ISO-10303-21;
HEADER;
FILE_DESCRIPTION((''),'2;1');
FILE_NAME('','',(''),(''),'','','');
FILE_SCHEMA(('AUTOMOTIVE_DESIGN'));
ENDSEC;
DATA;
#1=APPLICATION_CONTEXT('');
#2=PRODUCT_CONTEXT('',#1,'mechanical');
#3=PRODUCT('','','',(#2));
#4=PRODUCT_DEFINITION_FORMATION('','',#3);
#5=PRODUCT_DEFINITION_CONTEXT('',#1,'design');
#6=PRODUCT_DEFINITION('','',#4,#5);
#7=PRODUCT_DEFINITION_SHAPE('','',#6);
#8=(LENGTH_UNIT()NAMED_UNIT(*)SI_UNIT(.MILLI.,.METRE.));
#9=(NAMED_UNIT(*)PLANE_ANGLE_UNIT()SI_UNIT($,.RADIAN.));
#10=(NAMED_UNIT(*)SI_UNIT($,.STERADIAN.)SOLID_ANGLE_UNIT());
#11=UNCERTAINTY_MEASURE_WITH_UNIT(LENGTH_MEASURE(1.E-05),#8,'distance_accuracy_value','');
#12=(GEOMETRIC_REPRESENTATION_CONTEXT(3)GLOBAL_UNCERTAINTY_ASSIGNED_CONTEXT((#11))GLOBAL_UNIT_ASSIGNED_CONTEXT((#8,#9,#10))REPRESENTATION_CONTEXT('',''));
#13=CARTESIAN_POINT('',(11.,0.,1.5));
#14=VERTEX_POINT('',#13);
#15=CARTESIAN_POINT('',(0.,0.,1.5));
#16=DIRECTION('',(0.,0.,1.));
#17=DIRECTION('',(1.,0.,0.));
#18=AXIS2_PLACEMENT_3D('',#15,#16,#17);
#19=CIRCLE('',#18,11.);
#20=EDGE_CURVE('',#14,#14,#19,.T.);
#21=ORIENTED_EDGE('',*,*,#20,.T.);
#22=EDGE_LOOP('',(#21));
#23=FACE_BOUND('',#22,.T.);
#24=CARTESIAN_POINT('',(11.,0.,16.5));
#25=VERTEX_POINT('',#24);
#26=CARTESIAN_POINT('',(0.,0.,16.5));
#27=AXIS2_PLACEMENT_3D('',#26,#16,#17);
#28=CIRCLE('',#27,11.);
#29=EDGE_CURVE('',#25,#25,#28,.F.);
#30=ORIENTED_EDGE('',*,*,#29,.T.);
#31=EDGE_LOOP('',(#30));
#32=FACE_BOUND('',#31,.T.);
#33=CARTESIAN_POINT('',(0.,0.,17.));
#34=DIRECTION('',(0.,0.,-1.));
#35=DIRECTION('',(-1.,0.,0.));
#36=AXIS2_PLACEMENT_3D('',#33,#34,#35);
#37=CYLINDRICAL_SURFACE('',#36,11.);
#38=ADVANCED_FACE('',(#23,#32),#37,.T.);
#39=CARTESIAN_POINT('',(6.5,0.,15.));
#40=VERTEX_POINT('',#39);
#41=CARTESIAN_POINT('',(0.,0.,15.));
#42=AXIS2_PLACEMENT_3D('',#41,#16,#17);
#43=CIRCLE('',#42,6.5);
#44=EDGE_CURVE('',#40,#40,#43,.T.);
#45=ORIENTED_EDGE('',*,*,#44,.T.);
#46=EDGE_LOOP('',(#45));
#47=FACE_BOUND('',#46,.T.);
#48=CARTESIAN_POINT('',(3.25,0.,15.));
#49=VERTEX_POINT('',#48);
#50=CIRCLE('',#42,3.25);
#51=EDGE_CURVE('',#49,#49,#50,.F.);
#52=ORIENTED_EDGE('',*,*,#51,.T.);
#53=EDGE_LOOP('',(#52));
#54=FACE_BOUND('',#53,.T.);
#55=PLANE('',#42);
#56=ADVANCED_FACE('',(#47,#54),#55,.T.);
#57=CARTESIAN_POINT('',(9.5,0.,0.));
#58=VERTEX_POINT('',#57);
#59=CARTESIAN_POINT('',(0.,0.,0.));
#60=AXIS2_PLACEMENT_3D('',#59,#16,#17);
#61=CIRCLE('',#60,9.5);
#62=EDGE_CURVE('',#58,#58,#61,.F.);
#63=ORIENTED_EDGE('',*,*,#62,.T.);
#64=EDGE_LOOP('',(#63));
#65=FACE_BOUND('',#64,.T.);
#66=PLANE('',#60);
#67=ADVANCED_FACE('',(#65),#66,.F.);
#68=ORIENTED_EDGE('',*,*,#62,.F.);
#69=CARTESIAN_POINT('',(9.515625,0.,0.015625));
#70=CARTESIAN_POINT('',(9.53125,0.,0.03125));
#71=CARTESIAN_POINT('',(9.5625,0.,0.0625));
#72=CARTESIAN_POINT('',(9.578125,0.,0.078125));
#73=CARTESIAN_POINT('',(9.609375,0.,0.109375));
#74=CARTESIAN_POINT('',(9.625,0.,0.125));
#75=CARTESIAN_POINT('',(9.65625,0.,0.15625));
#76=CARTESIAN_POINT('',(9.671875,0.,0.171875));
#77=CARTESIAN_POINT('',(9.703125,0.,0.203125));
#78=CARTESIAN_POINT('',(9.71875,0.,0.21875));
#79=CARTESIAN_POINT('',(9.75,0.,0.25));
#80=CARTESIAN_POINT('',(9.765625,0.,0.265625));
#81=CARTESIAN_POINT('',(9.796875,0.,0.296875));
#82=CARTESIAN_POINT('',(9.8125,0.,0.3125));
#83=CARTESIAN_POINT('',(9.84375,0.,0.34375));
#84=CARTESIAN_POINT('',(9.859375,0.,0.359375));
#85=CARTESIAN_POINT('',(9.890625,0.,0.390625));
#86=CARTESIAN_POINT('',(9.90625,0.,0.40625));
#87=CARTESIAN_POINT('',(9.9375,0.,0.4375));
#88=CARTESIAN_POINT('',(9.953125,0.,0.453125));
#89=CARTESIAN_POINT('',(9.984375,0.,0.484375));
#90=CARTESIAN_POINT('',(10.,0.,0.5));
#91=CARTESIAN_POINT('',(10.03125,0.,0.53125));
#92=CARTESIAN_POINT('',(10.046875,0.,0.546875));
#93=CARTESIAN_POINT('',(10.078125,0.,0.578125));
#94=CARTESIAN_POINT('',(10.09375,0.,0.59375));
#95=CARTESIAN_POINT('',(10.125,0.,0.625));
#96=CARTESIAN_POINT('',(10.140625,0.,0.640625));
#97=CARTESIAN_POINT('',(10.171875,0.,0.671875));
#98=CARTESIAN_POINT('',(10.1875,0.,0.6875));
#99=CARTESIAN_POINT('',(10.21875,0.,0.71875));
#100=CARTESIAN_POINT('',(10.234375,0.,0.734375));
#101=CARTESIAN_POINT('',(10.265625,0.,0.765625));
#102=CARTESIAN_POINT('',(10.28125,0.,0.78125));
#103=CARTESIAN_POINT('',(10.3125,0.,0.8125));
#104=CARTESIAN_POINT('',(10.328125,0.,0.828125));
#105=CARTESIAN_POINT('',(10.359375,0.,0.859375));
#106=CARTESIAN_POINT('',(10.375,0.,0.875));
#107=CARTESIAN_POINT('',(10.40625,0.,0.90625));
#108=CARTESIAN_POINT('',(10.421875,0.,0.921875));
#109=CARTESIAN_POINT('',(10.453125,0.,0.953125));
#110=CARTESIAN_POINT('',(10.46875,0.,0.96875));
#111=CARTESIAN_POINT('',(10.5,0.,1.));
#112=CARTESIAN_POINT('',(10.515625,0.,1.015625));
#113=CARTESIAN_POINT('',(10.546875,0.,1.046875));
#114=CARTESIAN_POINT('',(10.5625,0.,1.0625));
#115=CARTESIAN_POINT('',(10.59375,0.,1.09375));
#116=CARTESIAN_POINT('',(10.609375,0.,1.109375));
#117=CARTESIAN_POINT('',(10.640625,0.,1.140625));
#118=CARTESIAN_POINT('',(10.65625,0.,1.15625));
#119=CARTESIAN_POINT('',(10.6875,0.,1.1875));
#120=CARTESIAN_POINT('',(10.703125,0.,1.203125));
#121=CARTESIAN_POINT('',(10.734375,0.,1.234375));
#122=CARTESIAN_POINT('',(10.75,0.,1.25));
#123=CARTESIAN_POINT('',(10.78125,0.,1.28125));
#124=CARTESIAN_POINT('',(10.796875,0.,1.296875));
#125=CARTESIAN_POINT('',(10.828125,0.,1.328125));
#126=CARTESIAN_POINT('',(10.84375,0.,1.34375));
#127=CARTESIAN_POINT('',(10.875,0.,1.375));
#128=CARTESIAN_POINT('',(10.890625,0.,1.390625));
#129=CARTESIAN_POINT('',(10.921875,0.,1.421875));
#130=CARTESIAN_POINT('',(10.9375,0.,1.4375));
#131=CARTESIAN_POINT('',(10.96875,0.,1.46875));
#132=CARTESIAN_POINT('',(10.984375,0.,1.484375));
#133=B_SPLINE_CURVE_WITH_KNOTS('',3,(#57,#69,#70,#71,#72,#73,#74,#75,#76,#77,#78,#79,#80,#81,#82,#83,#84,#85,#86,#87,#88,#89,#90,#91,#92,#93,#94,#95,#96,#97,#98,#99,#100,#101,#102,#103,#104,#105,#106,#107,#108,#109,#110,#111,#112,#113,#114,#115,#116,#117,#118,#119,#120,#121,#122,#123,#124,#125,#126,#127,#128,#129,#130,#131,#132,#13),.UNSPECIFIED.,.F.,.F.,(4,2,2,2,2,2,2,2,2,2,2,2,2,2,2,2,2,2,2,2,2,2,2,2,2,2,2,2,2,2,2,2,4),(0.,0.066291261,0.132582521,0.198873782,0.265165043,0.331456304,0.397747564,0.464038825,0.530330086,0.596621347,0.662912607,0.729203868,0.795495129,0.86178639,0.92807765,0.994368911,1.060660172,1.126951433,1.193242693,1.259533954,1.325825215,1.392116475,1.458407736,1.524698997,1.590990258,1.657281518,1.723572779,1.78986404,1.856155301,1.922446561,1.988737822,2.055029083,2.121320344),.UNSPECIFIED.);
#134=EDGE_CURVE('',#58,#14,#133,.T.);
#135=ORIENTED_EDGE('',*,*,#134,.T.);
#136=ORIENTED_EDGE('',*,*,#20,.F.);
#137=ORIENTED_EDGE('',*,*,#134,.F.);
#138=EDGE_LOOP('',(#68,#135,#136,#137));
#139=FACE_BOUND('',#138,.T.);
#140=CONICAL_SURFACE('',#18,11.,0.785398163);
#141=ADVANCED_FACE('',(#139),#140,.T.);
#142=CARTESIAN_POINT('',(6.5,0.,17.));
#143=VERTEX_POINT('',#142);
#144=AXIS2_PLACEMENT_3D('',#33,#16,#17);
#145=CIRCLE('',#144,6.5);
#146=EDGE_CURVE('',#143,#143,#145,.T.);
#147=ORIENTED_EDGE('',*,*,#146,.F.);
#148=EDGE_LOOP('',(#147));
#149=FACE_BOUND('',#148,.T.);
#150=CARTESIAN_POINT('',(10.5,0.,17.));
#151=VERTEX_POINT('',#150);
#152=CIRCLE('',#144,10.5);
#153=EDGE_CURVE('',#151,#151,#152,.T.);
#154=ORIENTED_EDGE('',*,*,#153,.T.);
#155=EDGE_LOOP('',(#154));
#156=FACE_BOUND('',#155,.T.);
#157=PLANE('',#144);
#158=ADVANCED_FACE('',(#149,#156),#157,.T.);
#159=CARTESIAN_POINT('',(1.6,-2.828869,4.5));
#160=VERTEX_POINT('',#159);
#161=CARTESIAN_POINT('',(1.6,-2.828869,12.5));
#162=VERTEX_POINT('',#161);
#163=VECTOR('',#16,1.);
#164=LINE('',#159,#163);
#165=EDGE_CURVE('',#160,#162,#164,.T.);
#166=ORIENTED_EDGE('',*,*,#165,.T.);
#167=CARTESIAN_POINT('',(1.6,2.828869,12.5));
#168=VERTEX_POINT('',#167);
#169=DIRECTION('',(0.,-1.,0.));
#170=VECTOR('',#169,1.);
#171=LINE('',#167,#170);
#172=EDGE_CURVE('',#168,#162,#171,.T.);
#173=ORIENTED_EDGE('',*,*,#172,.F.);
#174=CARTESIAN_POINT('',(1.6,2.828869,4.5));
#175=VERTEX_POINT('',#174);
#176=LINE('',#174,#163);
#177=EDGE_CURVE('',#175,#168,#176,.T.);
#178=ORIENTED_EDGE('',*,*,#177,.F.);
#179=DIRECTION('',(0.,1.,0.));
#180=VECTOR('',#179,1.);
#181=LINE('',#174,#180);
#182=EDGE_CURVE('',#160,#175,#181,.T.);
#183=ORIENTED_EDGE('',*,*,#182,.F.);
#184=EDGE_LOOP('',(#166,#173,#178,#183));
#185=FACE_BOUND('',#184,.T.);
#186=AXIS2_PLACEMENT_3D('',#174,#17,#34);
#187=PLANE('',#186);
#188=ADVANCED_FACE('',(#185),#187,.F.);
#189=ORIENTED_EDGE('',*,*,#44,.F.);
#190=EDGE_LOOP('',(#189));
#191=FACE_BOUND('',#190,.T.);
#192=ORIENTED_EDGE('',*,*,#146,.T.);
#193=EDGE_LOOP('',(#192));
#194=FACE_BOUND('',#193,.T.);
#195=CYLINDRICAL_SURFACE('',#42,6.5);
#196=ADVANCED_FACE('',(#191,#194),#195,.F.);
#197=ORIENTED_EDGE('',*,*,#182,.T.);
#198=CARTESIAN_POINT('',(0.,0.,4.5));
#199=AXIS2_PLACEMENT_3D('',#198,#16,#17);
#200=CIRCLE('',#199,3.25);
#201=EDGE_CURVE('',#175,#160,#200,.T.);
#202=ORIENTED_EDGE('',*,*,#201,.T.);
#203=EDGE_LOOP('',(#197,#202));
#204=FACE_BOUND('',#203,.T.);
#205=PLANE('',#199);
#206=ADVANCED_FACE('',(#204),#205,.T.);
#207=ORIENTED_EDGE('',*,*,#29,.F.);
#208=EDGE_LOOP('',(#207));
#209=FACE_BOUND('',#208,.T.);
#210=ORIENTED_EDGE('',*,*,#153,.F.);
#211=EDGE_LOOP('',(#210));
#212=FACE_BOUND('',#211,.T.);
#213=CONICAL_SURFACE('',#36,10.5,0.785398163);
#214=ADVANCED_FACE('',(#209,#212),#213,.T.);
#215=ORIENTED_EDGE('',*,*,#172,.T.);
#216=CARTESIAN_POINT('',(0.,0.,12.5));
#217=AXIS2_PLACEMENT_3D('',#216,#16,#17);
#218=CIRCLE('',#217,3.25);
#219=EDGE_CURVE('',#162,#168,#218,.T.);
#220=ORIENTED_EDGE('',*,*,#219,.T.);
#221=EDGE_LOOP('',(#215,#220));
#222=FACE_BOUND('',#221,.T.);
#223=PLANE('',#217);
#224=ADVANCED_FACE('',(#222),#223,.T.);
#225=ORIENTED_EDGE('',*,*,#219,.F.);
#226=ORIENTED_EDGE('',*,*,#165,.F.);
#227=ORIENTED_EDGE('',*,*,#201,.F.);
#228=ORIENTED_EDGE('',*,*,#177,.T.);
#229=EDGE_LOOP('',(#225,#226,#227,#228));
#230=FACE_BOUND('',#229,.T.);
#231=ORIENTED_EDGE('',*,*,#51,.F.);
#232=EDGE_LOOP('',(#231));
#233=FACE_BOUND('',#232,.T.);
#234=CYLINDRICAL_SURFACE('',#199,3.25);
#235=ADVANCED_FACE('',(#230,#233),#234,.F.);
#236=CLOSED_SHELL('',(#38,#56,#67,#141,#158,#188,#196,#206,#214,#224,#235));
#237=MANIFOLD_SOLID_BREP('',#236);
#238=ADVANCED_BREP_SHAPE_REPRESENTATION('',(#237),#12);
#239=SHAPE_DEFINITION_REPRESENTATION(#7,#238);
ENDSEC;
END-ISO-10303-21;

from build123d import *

# Parameters (mm, degrees)
SKETCH1_R           = 11
BOSS_EXTRUDE1_DEPTH = 17
CUT_EXTRUDE1_DEPTH  = 12.5
SKETCH3_R           = 6.5
CUT_EXTRUDE2_DEPTH  = 2
SKETCH4_R           = 3.25
CUT_EXTRUDE3_DEPTH  = 4.5
CHAMFER1_SIZE       = 1.5
CHAMFER2_SIZE       = 0.5


with BuildPart() as part:
    # Sketch1 → Boss-Extrude1 (new body)
    with BuildSketch(Plane.XY):
        Circle(SKETCH1_R)
    extrude(amount=BOSS_EXTRUDE1_DEPTH)

    # Sketch2 → Cut-Extrude1 (cut)
    with BuildSketch(Plane.XY.offset(17)):
        with BuildLine():
            Line((1.6, 2.828869032), (1.6, -2.828869032))
            ThreePointArc((1.6, -2.828869032), (-3.25, 0), (1.6, 2.828869032))
        make_face()
    extrude(amount=-CUT_EXTRUDE1_DEPTH, mode=Mode.SUBTRACT)

    # Sketch3 → Cut-Extrude2 (cut)
    with BuildSketch(Plane.XY.offset(17)):
        Circle(SKETCH3_R)
    extrude(amount=-CUT_EXTRUDE2_DEPTH, mode=Mode.SUBTRACT)

    # Sketch4 → Cut-Extrude3 (cut)
    with BuildSketch(Plane.XY.offset(17)):
        Circle(SKETCH4_R)
    extrude(amount=-CUT_EXTRUDE3_DEPTH, mode=Mode.SUBTRACT)

    # Chamfer1
    chamfer1_edges = [part.edges().sort_by_distance(p)[0] for p in [
        (-11, 0, 0),
    ]]
    chamfer(chamfer1_edges, length=CHAMFER1_SIZE)

    # Chamfer2
    chamfer2_edges = [part.edges().sort_by_distance(p)[0] for p in [
        (-11, 0, 17),
    ]]
    chamfer(chamfer2_edges, length=CHAMFER2_SIZE)


solid = part.part
